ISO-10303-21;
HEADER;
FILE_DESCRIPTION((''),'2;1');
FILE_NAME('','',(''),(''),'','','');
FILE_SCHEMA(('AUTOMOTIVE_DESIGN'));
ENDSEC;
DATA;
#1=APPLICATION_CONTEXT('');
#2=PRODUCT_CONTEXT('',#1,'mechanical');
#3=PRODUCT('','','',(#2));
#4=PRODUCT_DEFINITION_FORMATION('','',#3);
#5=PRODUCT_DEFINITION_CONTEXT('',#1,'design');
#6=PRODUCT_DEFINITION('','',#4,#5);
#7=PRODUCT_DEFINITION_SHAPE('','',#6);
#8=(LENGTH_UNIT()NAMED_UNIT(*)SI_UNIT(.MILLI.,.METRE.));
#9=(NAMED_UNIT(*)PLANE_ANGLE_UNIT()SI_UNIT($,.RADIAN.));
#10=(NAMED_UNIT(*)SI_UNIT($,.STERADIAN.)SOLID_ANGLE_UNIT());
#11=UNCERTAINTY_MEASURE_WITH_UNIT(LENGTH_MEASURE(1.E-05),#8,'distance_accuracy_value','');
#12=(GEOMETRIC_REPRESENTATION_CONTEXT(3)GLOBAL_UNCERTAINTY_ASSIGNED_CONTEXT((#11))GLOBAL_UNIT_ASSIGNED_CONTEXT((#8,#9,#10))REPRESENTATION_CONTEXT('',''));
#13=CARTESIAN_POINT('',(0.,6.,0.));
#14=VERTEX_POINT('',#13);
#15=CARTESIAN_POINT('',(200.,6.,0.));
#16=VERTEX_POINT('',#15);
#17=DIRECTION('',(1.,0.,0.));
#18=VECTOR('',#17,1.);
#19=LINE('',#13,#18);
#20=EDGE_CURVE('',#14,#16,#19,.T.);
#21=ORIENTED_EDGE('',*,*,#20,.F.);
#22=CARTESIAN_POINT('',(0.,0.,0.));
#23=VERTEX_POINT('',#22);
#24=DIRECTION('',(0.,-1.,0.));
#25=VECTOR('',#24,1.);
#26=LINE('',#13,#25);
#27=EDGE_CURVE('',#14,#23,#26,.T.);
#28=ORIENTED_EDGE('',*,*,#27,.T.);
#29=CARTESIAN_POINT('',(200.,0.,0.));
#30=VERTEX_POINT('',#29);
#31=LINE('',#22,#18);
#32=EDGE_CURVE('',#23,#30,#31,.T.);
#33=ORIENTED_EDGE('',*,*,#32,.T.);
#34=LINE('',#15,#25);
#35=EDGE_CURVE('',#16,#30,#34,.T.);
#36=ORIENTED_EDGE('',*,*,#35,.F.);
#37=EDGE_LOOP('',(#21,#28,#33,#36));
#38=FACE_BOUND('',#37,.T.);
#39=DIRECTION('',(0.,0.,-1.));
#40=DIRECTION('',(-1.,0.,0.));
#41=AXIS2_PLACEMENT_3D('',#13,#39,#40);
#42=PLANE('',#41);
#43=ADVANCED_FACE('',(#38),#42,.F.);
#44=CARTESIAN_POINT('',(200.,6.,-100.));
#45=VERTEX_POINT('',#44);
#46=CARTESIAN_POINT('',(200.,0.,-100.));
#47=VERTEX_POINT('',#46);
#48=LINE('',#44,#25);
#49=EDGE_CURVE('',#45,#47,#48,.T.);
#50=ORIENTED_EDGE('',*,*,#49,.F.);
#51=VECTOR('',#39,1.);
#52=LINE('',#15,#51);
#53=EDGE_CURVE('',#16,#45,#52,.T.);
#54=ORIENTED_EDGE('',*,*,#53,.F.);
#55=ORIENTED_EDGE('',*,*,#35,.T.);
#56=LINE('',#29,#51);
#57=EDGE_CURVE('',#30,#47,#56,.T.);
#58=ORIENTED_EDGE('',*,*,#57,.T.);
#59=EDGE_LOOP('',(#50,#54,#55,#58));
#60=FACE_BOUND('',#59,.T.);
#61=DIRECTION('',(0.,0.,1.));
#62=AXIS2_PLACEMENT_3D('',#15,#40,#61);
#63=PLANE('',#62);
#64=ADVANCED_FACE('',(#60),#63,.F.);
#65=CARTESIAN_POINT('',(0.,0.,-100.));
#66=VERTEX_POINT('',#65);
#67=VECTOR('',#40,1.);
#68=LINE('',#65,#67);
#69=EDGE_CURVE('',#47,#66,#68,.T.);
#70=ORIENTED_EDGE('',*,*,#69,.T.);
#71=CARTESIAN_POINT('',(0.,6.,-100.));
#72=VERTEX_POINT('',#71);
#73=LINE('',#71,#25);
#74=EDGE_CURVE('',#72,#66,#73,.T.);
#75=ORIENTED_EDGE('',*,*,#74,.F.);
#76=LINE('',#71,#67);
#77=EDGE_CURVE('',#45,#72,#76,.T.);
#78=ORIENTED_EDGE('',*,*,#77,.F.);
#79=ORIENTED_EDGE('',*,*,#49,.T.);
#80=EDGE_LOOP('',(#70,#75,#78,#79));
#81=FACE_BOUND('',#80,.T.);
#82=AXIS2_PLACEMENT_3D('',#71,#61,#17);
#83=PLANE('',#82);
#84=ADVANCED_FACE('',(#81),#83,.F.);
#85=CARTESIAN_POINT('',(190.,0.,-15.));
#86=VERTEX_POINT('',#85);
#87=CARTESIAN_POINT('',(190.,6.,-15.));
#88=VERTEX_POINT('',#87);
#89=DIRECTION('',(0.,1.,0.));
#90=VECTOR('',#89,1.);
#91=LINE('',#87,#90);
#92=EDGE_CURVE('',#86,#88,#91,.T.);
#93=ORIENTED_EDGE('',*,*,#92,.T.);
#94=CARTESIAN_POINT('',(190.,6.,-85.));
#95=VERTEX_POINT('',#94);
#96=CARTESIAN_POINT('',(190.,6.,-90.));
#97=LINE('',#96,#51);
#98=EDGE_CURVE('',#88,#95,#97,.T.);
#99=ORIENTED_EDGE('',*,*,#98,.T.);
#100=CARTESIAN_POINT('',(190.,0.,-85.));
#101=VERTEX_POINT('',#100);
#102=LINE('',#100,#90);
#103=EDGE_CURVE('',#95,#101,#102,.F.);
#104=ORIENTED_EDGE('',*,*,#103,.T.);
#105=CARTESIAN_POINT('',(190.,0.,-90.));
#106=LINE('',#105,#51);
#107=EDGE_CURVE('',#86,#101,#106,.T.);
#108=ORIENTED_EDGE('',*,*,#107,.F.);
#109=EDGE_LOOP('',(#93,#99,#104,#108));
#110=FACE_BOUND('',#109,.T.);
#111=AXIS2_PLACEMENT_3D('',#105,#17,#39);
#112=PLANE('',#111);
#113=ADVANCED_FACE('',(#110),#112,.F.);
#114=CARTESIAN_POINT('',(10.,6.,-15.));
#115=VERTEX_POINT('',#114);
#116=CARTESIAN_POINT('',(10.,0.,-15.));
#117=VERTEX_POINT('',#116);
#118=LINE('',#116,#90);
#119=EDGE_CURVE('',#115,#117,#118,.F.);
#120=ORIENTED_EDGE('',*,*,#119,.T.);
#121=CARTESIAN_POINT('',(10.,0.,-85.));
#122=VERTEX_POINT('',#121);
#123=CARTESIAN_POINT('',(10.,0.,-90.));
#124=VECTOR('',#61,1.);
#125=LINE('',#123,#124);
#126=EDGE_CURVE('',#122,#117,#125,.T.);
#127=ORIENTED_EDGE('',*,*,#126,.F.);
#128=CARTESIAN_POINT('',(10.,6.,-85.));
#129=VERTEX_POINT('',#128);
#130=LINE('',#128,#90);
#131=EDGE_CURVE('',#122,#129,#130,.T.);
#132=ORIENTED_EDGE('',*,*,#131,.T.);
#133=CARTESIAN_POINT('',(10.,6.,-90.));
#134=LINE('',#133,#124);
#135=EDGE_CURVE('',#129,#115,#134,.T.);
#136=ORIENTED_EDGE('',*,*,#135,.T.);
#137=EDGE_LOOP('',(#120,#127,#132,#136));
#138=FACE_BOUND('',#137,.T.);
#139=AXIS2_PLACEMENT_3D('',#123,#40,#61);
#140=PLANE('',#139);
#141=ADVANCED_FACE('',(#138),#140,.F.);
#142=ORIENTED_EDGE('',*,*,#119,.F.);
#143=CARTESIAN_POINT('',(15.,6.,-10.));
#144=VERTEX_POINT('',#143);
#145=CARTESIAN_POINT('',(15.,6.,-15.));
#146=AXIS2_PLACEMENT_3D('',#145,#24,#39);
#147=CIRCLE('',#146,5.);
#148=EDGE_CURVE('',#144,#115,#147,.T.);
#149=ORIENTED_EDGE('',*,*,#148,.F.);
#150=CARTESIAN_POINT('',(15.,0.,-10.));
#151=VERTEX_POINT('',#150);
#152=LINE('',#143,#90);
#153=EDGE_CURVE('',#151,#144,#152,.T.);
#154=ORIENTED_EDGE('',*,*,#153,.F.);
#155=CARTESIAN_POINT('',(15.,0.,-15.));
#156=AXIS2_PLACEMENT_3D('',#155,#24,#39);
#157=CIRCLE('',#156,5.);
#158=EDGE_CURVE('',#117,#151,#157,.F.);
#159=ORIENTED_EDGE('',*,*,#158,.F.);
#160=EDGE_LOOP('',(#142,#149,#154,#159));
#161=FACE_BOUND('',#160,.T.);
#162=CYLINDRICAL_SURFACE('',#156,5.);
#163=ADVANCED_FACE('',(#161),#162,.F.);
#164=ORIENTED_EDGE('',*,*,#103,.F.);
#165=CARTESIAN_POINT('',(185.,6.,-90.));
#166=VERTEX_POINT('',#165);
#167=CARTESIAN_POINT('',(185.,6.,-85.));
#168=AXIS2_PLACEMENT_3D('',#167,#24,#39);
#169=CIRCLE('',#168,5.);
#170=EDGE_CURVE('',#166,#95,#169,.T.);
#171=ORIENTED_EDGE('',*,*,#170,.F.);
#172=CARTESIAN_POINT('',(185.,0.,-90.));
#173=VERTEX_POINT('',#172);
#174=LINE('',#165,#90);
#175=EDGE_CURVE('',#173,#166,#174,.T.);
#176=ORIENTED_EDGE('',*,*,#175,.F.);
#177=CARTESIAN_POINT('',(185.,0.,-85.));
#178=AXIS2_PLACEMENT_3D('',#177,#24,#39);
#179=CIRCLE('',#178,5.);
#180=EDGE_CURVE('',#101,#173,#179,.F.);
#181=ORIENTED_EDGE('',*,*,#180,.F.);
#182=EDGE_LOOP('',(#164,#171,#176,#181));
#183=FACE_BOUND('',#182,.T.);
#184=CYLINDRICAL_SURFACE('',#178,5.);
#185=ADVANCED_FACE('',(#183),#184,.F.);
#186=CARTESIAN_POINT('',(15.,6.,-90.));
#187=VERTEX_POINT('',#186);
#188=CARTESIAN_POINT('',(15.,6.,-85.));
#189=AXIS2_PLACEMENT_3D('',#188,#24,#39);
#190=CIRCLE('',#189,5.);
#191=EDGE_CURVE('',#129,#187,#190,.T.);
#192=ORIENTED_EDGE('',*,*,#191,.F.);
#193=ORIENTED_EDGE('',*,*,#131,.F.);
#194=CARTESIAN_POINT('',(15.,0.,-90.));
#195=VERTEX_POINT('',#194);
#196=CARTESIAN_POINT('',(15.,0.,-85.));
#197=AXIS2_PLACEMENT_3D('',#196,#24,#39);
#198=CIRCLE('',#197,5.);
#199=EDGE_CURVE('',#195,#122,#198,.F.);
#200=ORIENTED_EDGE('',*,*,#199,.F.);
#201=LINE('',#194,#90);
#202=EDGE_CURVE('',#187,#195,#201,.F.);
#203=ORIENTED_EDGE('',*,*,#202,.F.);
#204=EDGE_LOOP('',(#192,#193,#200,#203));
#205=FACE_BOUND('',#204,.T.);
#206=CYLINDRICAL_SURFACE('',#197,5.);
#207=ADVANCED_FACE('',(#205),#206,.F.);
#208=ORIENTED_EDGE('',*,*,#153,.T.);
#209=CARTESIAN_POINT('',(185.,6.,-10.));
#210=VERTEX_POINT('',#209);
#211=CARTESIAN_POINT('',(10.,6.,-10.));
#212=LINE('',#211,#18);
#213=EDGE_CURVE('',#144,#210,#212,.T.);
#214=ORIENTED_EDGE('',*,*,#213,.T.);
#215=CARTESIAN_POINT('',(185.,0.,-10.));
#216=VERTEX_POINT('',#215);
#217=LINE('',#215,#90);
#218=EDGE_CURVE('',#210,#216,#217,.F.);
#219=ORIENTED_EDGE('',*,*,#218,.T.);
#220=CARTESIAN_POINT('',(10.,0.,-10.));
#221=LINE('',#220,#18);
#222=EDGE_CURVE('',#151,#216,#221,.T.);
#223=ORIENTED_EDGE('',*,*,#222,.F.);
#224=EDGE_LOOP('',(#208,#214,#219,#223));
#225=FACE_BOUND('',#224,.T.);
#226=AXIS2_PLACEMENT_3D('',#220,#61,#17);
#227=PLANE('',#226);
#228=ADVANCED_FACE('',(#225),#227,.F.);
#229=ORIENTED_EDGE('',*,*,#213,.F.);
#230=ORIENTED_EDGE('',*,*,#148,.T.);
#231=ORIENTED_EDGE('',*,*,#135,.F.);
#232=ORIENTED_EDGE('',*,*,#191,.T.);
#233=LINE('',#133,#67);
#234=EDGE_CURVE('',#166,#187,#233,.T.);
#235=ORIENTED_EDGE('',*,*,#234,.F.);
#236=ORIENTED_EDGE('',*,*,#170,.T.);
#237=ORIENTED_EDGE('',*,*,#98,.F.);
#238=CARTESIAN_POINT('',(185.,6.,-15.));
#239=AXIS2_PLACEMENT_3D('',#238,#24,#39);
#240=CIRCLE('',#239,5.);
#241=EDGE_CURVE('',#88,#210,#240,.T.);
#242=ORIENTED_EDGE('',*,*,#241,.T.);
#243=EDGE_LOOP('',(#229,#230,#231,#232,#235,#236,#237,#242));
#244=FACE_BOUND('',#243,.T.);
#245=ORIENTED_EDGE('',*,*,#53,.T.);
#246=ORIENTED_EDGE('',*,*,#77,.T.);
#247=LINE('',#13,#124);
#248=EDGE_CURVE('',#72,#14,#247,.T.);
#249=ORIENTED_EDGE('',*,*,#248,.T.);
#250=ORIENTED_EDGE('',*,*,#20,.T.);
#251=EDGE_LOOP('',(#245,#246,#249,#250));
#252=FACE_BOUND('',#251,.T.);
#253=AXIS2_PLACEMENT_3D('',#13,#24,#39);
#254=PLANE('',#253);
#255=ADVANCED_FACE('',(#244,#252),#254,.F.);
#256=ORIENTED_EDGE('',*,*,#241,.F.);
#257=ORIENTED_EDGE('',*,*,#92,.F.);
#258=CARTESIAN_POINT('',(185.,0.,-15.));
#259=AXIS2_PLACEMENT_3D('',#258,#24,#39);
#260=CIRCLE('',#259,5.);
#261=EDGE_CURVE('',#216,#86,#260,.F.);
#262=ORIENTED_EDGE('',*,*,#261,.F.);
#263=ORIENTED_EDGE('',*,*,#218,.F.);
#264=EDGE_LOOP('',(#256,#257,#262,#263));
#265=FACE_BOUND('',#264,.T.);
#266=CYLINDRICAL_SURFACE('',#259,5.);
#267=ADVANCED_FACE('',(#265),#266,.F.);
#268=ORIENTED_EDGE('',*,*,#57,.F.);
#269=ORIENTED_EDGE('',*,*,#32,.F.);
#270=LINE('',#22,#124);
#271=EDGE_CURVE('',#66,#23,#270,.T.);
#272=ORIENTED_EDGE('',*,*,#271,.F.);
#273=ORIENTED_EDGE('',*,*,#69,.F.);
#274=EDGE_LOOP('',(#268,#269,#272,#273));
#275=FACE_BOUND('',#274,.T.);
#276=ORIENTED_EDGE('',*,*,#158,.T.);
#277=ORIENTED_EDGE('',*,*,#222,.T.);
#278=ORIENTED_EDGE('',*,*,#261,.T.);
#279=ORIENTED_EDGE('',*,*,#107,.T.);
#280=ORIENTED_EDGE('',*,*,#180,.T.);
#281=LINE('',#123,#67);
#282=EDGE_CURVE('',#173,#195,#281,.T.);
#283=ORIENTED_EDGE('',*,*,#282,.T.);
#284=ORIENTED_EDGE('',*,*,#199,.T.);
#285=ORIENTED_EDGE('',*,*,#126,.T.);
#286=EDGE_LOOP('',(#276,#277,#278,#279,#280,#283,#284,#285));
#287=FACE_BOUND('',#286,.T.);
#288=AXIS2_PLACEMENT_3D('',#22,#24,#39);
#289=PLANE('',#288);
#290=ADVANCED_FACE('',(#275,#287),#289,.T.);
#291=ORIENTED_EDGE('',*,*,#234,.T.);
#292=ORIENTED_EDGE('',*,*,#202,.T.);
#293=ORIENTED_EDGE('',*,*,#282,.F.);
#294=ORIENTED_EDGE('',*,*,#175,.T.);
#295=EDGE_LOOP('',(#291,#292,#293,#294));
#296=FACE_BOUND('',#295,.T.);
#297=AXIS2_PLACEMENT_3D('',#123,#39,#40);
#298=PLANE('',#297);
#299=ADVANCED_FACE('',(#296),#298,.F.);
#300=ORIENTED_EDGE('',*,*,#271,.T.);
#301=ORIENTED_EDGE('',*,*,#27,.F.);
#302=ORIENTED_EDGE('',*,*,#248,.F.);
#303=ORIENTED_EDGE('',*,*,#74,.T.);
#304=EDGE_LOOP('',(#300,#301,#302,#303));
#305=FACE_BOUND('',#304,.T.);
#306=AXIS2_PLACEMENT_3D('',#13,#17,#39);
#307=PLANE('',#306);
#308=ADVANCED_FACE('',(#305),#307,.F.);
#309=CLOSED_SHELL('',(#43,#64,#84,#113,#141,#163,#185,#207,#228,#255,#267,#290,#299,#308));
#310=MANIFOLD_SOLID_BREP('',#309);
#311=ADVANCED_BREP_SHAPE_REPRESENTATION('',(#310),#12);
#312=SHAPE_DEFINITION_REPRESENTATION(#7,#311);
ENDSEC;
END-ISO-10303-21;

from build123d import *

# Parameters (mm, degrees)
SKETCH1_W           = 200
SKETCH1_H           = 100
BOSS_EXTRUDE1_DEPTH = 6
SKETCH2_W           = 180
SKETCH2_H           = 80
CUT_EXTRUDE1_DEPTH  = 224.687281713
FILLET1_R           = 5


with BuildPart() as part:
    # Sketch1 → Boss-Extrude1 (new body)
    with BuildSketch(Plane(origin=(0, 0, 0), x_dir=(1, 0, 0), z_dir=(0, 1, 0))):
        with Locations((100, 50)):
            Rectangle(SKETCH1_W, SKETCH1_H)
    extrude(amount=BOSS_EXTRUDE1_DEPTH)

    # Sketch2 → Cut-Extrude1 (cut, through all)
    with BuildSketch(Plane(origin=(0, 6, 0), x_dir=(1, 0, 0), z_dir=(0, 1, 0))):
        with Locations((100, 50)):
            Rectangle(SKETCH2_W, SKETCH2_H)
    extrude(amount=-CUT_EXTRUDE1_DEPTH, mode=Mode.SUBTRACT)

    # Fillet1
    fillet1_edges = [part.edges().sort_by_distance(p)[0] for p in [
        (10, 3, -10),
        (10, 3, -90),
        (190, 3, -90),
        (190, 3, -10),
    ]]
    fillet(fillet1_edges, radius=FILLET1_R)


solid = part.part
